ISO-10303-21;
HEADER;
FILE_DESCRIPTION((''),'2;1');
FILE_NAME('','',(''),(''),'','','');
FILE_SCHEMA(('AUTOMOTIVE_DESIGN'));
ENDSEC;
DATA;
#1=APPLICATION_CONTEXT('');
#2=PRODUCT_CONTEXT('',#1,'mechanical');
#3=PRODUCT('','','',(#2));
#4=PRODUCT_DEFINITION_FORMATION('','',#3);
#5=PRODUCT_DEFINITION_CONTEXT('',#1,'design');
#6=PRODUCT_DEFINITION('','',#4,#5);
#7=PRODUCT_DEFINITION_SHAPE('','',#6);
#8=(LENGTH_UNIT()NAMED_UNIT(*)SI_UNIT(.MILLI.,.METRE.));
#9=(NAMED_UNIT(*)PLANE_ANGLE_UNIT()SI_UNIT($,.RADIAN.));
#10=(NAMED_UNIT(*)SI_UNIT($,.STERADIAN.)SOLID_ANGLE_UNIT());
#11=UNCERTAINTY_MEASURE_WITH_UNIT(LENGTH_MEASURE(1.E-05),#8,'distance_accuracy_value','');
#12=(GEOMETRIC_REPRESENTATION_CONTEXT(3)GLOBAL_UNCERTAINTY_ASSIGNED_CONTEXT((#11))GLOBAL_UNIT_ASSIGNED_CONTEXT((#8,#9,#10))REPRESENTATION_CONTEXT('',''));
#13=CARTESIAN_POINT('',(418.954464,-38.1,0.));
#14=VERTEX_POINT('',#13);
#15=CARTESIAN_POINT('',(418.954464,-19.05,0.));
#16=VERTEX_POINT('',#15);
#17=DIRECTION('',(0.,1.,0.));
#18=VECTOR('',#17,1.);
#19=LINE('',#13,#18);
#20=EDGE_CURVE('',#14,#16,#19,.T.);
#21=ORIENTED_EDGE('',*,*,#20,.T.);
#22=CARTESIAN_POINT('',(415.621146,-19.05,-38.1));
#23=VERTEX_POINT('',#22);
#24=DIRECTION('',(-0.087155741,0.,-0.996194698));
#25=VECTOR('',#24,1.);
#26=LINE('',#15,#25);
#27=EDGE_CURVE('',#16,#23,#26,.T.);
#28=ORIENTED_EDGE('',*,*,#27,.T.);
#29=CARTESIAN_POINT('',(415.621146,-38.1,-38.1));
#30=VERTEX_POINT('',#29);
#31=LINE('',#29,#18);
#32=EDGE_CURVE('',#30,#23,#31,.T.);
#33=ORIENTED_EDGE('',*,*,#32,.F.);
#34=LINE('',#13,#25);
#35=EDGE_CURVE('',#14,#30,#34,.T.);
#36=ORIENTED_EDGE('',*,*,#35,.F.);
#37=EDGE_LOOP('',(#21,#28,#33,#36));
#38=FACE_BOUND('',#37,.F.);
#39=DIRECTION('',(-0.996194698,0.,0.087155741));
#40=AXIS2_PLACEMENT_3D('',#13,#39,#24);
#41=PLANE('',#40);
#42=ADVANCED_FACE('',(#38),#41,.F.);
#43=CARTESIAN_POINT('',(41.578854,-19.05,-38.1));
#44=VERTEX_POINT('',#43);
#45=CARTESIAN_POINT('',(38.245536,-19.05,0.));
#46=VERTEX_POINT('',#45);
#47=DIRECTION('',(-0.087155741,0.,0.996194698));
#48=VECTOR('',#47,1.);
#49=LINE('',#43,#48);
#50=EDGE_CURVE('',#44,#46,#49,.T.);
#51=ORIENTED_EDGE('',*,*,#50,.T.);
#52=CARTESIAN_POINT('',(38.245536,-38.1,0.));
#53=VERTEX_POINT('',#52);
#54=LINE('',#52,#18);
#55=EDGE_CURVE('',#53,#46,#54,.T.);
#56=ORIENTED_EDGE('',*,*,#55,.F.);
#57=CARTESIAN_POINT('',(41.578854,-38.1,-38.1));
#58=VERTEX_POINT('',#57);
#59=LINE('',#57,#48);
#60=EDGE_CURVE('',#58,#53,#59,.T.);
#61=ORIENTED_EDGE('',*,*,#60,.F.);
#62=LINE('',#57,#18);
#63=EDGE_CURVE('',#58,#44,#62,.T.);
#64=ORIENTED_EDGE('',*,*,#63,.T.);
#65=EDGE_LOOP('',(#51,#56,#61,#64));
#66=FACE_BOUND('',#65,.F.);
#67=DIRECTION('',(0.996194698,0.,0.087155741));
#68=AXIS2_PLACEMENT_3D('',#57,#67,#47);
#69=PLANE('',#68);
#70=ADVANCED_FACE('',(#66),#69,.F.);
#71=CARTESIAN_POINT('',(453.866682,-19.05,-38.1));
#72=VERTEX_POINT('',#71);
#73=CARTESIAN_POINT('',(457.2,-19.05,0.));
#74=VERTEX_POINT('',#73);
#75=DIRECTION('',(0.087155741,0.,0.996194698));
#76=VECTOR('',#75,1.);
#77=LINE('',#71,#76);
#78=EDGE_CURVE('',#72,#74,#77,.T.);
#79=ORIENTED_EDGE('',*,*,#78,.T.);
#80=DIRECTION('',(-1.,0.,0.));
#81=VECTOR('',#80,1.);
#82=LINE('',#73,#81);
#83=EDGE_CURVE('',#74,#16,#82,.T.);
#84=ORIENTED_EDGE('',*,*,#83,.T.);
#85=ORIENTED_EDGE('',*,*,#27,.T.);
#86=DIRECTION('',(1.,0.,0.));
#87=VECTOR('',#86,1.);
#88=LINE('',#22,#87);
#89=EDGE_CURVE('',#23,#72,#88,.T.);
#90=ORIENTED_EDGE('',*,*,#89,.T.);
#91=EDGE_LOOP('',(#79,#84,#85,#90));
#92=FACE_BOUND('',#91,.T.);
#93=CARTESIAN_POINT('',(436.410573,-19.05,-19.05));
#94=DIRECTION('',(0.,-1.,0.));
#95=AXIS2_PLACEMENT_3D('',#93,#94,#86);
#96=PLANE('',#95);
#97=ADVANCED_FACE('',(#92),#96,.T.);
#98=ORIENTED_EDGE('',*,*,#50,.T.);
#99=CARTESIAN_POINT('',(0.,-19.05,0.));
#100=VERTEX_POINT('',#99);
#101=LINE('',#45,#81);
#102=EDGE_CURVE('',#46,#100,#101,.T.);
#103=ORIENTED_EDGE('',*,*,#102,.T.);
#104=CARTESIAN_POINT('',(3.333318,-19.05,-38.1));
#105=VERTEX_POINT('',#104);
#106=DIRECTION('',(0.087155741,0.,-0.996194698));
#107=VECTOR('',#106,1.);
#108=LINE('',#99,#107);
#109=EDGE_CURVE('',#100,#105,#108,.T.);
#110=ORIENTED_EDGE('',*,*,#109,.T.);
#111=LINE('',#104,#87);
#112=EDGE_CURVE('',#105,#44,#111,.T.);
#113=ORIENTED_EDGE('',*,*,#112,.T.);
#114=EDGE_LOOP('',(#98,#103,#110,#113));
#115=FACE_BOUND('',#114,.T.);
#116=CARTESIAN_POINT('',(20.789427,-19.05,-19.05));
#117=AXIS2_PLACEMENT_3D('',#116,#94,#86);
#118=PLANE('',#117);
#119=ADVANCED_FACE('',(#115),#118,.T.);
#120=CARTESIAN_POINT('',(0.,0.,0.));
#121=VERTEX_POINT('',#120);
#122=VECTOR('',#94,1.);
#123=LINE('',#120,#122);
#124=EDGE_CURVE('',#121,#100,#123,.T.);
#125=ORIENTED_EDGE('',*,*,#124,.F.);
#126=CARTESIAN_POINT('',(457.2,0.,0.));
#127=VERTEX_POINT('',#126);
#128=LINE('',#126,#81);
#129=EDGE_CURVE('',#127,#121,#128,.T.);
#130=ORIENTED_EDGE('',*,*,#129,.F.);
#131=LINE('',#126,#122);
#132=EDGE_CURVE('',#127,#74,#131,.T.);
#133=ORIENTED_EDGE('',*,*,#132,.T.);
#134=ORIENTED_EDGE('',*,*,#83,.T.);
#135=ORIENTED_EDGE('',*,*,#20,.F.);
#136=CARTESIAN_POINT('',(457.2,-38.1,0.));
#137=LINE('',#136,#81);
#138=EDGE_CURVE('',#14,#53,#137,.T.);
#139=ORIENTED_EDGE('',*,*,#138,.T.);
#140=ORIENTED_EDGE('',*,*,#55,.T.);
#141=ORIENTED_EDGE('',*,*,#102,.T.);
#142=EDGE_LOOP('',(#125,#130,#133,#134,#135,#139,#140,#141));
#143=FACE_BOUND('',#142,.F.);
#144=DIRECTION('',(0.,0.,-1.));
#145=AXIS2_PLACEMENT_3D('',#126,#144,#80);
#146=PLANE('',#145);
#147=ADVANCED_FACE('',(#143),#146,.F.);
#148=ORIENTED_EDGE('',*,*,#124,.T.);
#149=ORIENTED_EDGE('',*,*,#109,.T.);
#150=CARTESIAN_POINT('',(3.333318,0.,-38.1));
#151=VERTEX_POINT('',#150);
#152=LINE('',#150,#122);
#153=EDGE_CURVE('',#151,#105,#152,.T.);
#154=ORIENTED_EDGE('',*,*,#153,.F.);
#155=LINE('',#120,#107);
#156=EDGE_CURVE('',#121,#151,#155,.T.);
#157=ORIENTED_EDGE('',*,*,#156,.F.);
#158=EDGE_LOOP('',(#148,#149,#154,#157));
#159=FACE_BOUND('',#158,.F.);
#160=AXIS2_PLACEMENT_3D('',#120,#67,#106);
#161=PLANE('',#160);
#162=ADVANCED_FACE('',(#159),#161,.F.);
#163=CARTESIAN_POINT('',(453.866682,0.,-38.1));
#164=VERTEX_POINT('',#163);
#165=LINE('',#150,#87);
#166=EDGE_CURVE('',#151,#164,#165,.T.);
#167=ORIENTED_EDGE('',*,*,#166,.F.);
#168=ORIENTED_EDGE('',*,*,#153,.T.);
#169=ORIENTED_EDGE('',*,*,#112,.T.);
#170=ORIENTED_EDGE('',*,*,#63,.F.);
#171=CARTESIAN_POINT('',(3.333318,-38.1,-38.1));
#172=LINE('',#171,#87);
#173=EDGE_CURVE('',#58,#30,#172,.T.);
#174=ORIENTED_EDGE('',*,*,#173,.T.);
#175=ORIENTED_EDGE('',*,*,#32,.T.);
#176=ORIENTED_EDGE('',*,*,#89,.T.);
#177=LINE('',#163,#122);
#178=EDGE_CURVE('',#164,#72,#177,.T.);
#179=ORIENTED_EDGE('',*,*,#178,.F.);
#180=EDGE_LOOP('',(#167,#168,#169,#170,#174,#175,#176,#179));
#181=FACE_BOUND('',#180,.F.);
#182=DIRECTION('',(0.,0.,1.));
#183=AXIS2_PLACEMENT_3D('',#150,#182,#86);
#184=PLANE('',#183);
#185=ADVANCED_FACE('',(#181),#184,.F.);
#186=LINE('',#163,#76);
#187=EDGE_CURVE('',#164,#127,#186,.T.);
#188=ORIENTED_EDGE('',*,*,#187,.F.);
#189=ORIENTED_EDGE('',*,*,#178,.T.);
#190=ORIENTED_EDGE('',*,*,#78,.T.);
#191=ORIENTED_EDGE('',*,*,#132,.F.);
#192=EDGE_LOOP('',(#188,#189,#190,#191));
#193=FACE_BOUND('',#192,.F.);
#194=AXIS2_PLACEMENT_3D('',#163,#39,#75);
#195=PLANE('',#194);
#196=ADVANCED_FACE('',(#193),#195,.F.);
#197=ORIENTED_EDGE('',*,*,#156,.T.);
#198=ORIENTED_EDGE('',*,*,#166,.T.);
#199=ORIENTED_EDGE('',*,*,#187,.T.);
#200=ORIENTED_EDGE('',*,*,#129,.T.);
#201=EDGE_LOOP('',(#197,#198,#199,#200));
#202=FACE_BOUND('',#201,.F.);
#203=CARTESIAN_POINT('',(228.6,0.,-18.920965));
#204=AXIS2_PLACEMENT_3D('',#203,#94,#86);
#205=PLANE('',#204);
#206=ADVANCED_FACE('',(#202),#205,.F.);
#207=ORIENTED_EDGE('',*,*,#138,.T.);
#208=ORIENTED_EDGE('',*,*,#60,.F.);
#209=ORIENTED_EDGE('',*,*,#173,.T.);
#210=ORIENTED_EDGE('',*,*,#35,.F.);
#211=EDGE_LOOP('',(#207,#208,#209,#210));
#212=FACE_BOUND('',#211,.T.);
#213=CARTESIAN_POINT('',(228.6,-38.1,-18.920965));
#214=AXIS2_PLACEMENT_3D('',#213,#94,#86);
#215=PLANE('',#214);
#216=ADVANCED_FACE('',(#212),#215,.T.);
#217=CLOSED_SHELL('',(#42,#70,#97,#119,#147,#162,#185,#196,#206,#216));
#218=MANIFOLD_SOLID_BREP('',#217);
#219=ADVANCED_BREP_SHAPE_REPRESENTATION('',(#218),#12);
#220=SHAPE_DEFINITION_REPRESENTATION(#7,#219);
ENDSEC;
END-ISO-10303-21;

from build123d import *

# Parameters (mm, degrees)
F1_DEPTH = 38.1
F3_DEPTH = 19.05
F5_DEPTH = 19.05


with BuildPart() as f1:
    # F0 (on Front) → F1 (new body)
    with BuildSketch(Plane.XZ):
        Polygon((457.2, 0), (0, 0), (3.333318, -38.1), (453.866682, -38.1), align=None)
    extrude(amount=F1_DEPTH)

    # F2 (on face) → F3 (cut)
    with BuildSketch(Plane.XZ.offset(38.1)):
        Polygon((457.2, 0), (418.954464, 0), (415.621146, -38.1), (453.866682, -38.1), align=None)
    extrude(amount=-F3_DEPTH, mode=Mode.SUBTRACT)

    # F4 (on face) → F5 (cut)
    with BuildSketch(Plane.XZ.offset(38.1)):
        Polygon((41.578854, -38.1), (38.245536, 0), (0, 0), (3.333318, -38.1), align=None)
    extrude(amount=-F5_DEPTH, mode=Mode.SUBTRACT)


solid = f1.part
